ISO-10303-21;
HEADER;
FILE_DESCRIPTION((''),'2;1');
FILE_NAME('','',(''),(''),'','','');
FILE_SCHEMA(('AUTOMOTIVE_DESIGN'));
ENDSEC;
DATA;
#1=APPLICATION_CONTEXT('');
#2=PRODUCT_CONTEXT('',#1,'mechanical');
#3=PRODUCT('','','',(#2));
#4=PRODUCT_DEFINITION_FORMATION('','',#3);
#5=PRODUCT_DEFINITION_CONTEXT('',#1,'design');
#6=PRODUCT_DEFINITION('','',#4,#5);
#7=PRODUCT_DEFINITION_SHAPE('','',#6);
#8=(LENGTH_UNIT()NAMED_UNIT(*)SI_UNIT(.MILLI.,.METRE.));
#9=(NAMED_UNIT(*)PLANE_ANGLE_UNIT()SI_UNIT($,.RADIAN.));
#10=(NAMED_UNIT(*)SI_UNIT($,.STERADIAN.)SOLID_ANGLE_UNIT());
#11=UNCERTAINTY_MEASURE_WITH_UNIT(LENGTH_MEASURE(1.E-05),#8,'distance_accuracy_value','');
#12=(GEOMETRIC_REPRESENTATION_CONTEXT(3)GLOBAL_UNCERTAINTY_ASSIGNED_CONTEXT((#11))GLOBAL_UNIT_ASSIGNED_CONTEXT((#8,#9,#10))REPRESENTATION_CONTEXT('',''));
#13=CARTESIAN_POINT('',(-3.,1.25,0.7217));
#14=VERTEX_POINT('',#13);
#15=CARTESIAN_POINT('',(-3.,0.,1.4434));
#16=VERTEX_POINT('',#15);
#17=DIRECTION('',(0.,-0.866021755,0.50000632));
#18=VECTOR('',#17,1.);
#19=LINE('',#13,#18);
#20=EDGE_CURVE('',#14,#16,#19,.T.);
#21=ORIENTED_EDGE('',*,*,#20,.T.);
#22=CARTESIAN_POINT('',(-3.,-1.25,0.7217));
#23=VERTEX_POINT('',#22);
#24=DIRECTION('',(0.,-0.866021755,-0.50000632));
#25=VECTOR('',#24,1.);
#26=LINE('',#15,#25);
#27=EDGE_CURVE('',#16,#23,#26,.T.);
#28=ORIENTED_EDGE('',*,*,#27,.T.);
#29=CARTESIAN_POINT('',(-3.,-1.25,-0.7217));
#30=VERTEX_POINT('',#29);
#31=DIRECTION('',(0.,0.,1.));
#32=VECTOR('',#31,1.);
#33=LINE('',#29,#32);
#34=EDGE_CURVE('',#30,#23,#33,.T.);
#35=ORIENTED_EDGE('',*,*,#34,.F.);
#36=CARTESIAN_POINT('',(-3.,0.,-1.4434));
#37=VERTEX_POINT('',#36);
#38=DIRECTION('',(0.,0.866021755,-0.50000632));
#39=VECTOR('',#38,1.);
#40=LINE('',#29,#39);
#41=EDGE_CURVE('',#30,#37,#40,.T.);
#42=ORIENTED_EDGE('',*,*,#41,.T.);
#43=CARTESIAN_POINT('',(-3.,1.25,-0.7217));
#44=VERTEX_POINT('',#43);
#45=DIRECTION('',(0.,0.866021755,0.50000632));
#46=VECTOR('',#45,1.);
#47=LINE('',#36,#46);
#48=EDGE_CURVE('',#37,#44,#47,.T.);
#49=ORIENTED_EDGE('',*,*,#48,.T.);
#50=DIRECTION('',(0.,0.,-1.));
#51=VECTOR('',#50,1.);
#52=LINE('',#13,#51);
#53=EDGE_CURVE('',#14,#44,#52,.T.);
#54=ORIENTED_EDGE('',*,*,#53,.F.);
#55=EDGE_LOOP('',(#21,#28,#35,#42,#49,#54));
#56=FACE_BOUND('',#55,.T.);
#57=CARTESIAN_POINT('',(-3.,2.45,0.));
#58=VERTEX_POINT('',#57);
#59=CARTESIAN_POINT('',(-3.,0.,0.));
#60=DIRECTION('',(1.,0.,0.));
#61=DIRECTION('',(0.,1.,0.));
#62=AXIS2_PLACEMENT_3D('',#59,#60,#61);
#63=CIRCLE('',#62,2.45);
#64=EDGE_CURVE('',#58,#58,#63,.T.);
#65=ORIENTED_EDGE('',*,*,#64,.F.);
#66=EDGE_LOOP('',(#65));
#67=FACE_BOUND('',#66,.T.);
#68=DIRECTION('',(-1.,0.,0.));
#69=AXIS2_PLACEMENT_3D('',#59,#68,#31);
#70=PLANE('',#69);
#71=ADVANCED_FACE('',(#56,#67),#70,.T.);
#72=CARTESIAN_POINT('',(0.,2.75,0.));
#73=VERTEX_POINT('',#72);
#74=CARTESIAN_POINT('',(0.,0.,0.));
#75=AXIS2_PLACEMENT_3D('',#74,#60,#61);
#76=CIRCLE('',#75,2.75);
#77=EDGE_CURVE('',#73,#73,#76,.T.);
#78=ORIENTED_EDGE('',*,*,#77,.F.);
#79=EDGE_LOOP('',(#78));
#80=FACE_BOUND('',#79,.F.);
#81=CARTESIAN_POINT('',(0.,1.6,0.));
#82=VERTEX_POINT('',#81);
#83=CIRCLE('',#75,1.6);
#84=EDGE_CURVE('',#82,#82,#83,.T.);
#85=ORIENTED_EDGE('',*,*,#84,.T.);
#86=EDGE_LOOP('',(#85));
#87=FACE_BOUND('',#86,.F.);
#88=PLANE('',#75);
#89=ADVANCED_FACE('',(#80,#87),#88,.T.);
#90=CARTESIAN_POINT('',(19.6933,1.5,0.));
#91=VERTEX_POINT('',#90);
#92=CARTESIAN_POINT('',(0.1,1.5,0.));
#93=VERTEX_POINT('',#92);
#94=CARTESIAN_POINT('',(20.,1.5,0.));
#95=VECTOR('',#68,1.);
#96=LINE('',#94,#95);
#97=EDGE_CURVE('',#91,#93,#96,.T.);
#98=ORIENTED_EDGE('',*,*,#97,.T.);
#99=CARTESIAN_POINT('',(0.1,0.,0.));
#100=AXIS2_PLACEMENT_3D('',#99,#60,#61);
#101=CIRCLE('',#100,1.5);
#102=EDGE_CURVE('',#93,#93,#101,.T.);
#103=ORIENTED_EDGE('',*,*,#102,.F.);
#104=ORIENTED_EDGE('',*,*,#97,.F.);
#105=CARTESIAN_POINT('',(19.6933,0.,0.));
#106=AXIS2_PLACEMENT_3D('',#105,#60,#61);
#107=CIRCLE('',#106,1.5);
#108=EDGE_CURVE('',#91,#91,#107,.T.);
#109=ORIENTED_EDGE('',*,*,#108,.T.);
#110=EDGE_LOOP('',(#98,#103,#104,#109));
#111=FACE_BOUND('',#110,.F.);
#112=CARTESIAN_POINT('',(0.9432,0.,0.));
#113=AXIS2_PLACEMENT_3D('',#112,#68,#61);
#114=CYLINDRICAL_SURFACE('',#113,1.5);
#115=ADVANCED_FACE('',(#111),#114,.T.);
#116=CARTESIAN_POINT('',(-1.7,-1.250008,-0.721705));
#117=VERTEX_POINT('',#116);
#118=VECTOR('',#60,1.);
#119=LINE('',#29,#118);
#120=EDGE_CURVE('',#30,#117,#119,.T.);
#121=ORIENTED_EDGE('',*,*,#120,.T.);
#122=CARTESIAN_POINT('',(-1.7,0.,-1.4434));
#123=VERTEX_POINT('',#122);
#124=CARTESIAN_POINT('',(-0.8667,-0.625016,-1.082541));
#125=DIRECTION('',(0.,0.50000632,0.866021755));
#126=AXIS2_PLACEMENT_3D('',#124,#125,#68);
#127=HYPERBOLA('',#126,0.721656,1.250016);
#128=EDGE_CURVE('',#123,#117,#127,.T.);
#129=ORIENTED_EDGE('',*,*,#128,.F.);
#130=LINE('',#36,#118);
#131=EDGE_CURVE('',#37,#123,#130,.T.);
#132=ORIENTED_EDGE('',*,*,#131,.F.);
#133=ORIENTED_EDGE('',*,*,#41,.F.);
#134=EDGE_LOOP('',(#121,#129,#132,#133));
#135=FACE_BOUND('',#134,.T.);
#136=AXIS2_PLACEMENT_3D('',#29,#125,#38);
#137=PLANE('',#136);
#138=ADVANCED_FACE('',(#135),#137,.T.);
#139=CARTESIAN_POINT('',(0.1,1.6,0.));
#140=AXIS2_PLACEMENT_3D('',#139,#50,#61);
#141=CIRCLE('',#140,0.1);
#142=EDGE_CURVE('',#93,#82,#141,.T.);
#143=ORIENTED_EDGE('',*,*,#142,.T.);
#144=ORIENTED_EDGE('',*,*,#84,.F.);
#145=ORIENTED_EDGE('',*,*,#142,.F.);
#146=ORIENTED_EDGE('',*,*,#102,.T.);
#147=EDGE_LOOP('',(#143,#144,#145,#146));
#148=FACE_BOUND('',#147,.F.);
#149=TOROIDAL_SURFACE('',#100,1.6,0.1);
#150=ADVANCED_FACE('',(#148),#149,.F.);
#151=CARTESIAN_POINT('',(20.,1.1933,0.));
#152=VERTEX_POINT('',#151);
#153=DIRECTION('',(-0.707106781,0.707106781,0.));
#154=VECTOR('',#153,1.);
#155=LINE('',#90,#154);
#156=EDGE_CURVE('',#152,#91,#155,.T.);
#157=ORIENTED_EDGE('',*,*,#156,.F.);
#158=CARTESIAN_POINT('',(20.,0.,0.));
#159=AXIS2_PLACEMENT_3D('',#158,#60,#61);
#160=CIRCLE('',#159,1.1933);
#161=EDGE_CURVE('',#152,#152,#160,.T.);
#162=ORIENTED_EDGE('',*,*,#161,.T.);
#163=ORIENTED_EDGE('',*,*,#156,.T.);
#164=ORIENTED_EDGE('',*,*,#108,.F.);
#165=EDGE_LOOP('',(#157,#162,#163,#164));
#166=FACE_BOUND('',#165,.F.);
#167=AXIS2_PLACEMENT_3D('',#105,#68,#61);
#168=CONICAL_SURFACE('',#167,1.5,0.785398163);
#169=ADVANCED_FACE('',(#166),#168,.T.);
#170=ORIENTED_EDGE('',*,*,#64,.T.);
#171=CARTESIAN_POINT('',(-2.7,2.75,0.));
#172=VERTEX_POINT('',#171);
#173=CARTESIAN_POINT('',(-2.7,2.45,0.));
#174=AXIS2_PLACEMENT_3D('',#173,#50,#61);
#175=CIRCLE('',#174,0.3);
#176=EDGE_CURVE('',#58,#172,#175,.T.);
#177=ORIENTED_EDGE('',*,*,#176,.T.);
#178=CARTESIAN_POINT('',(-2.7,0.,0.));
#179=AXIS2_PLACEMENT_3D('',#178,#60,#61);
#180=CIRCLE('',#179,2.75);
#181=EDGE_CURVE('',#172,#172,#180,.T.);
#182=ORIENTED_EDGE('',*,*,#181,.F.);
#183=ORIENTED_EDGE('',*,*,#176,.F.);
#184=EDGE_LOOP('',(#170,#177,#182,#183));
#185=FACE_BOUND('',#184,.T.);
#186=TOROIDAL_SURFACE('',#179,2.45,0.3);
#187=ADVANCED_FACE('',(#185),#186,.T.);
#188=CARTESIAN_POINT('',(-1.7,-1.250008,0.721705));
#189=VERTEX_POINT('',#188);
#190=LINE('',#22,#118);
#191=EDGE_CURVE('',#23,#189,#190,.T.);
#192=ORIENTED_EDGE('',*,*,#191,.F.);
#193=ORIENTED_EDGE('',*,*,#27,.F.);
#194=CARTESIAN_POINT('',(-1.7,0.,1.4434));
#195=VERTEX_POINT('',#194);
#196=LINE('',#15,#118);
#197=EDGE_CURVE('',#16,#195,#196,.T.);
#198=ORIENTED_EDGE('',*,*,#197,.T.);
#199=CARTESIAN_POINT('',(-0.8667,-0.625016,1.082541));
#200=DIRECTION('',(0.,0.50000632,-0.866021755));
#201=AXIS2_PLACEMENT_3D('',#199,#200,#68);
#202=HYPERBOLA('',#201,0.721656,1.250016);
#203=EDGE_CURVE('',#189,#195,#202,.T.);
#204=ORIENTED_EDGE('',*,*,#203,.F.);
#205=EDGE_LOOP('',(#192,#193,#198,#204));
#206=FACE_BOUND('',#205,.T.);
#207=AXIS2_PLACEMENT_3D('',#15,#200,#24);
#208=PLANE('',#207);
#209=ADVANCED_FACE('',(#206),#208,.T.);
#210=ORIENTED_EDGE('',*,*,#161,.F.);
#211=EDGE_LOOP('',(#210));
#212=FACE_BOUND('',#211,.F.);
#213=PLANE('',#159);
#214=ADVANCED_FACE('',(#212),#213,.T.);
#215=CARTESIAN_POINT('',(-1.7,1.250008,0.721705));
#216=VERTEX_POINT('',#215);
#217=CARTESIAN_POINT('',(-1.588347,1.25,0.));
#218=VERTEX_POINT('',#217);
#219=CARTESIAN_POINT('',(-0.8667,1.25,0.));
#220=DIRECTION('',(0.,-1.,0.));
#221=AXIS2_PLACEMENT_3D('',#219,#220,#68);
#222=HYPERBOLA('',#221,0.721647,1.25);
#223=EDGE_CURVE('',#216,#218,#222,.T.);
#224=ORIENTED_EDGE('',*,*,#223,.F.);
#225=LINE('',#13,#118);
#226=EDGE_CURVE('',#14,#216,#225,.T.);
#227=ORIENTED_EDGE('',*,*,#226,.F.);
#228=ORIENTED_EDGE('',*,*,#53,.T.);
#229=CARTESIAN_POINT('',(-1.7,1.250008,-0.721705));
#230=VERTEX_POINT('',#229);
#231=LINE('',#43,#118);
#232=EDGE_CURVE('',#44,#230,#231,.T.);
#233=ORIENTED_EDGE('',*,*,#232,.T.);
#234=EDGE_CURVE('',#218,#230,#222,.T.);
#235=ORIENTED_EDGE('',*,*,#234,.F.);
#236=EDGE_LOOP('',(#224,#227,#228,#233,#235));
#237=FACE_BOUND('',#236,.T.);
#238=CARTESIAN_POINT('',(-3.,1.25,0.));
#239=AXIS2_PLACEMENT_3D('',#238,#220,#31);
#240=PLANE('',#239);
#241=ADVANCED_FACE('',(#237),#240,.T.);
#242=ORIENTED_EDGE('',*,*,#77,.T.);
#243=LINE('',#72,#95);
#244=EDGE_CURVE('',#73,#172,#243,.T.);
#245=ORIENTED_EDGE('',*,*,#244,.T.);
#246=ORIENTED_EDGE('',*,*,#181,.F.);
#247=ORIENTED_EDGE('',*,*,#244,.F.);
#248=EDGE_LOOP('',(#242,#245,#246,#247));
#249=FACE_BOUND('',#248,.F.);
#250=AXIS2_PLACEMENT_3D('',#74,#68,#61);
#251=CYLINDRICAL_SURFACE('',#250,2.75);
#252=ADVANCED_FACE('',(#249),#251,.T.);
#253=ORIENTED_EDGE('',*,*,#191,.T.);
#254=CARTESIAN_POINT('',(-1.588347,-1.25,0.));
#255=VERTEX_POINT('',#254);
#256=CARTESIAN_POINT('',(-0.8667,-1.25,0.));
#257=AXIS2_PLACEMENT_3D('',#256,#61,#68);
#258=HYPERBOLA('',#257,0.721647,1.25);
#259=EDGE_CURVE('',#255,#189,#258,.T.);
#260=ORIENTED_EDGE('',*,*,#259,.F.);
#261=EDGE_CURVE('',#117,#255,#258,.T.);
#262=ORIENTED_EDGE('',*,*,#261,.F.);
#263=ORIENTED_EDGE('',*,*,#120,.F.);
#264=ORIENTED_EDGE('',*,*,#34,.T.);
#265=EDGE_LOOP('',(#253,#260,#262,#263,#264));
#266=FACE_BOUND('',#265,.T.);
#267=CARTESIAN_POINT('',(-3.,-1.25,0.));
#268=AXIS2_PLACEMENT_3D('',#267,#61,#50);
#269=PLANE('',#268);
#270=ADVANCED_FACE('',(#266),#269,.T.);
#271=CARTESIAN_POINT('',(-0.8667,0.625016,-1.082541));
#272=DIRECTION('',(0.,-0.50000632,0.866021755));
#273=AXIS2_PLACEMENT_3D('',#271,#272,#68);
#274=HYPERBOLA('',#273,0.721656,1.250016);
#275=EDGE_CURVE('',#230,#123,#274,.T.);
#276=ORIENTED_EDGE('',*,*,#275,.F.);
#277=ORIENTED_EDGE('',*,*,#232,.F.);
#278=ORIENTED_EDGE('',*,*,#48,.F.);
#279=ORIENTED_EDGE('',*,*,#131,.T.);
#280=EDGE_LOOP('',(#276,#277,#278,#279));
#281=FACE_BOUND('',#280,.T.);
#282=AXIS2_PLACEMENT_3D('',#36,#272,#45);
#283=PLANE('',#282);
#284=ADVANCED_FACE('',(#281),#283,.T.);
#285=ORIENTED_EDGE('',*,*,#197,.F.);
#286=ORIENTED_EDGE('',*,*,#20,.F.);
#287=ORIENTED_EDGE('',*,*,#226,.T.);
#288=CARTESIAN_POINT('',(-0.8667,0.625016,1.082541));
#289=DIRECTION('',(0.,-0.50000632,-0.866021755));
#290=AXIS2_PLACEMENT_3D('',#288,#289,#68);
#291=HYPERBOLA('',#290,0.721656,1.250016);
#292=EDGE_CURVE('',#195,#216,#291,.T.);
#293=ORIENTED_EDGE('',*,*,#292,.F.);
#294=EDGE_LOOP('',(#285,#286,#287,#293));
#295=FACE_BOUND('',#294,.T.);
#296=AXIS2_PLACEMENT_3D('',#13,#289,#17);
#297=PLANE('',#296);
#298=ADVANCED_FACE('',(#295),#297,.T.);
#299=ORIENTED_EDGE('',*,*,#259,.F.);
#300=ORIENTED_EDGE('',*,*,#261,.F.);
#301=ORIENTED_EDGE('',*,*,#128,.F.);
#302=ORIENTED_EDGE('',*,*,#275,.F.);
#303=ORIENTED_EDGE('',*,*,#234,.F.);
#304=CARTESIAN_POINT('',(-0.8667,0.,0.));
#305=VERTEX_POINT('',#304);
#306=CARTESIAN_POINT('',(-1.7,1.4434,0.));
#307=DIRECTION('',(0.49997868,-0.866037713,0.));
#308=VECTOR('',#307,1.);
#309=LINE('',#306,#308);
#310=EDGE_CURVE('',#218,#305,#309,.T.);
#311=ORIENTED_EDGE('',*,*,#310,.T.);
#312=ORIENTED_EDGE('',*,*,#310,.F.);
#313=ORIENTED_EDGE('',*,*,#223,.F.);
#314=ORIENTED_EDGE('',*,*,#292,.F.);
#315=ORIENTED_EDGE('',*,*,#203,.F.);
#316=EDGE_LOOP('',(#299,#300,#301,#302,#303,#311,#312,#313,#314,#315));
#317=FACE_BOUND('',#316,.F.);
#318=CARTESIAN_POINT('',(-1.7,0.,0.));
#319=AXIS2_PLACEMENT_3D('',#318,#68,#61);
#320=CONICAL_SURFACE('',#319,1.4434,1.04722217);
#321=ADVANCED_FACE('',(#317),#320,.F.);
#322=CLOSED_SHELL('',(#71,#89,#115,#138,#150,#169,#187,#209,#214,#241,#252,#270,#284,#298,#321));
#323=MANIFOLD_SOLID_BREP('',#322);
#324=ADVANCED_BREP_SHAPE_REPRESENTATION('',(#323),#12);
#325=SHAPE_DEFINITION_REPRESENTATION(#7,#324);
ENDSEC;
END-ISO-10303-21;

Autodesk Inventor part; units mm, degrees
ref_plane "YZ Plane" through (0, 0, 0) normal (1, 0, 0) x (0, 1, 0)
ref_plane "XZ Plane" through (0, 0, 0) normal (0, 1, 0) x (-1, 0, 0)
sketch "Sketch1" plane through (0, 0, 0) normal (0, 0, 1) x (1, 0, 0)
  line L0 (-0.8667, 0) -> (20, 0)
  line L1 (20, 0) -> (20, 1.5)
  line L2 (20, 1.5) -> (1.25, 1.5)
  line L3 (1.25, 1.5) -> (0.9432, 1.5)
  line L4 (0.9432, 1.5) -> (0, 1.5)
  line L5 (0, 1.5) -> (0, 2.75)
  line L6 (0, 2.75) -> (-3, 2.75)
  line L7 (-3, 2.75) -> (-3, 1.4434)
  line L8 (-3, 1.4434) -> (-1.7, 1.4434)
  line L9 (-1.7, 1.4434) -> (-0.8667, 0)
  line L10 (-7.6, 0) -> (24.6, 0) projected
  line L11 (0, -0.55) -> (0, 3.3) projected
  line L12 (1.25, 1.5) -> (0, 1.5) construction
  dimension "d1" = 18.75
  dimension "d2" = 0.3068
  dimension "d3" = 3
  dimension "d4" = 1.3
  dimension "d5" = 60
  dimension "d6" = 3
  dimension "d7" = 3
  dimension "d8" = 2.8868
  dimension "d9" = 5.5
  dimension "d26" = 20
revolve "Body" add sketch "Sketch1" angle 360 about axis through (-0.8667, 0, 0) along (1, 0, 0)
sketch "Sketch2" plane through (-3, 0, 0) normal (-1, 0, 0) x (0, 0, 1)
  circle A0 centre (0, 0) radius 1.4434 projected
  line L0 (0, -3.85) -> (0, 3.85) projected
  line L1 (-3.85, 0) -> (3.85, 0) projected
  line L2 (1.4434, 0) -> (0.7217, -1.25)
  line L3 (0.7217, -1.25) -> (-0.7217, -1.25)
  line L4 (-0.7217, -1.25) -> (-1.4434, 0)
  line L5 (-1.4434, 0) -> (-0.7217, 1.25)
  line L6 (-0.7217, 1.25) -> (0.7217, 1.25)
  line L7 (0.7217, 1.25) -> (1.4434, 0)
  point P0 (0, 0)
extrude "Slot" add sketch "Sketch2" against normal up to next contours L7 A0 | A0 L2 | L6 L0 A0 | A0 L0 L3 | L0 L6 A0 | A0 L3 L0 | L4 A0 | A0 L5
fillet "Fillet1" radius 0.3 1 edges at (-3, -2.75, 0)
thread "Thread" size "M3x0.5" class "6g" standard "ISO Metric profile" length 18.75
chamfer "Chamfer1" distance 0.3067 distance2 0.3067 1 edges at (20, -1.5, 0) measured on face at (20, -0.7567, -0.3972)
ref_plane "Work Plane1" through (29, 0, 0) normal (0, -1, 0) x (1, 0, 0)
fillet "Fillet2" radius 0.1 1 edges at (0, -1.5, 0)
equation "\"d1\" = GEL"
equation "\"d3\" = KOH"
equation "\"d4\" = INTI"
equation "\"d6\" = GD"
equation "\"d7\" = BDM"
equation "\"d8\" = 1.1547 * SW"
equation "\"d9\" = KOD"
equation "\"d26\" = NLG"
equation "\"d30\" = R"
equation "\"d17\" = RR"
equation "\"d13\" = GEL"
equation "\"d15\" = -0.5 * SPD + 0.5 * GD"
equation "\"d16\" = GUL"
equation "\"GD\" = NND"
equation "\"NLG\" = 20"
equation "\"GEL\" = 18.75"
equation "\"KOD\" = 5.5"
equation "\"KOH\" = 3"
equation "\"INTI\" = 1.3"
equation "\"GAL\" = 0.61345 * PTC"
equation "\"GUL\" = 0.61345 * PTC"
equation "\"BDM\" = NND"
equation "\"SW\" = 2.5"
equation "\"RR\" = 0.3"
equation "\"SPD\" = NND - 1.2269 * PTC"
equation "\"R\" = 0.1"
equation "\"TOA\" = 30deg"
equation "\"GD1\" = THREADDIA - 1.2269 * PTC"
equation "\"THREADDIA\" = 3"
equation "\"FAWI\" = 45deg"
equation "\"ANG\" = 120deg"
equation "\"PTC\" = 0.5"
equation "\"NND\" = 3"
equation "\"E0\" = 1.155 * SW"
properties part number "DIN 912 - M3 x 20" material "Steel, Mild"
